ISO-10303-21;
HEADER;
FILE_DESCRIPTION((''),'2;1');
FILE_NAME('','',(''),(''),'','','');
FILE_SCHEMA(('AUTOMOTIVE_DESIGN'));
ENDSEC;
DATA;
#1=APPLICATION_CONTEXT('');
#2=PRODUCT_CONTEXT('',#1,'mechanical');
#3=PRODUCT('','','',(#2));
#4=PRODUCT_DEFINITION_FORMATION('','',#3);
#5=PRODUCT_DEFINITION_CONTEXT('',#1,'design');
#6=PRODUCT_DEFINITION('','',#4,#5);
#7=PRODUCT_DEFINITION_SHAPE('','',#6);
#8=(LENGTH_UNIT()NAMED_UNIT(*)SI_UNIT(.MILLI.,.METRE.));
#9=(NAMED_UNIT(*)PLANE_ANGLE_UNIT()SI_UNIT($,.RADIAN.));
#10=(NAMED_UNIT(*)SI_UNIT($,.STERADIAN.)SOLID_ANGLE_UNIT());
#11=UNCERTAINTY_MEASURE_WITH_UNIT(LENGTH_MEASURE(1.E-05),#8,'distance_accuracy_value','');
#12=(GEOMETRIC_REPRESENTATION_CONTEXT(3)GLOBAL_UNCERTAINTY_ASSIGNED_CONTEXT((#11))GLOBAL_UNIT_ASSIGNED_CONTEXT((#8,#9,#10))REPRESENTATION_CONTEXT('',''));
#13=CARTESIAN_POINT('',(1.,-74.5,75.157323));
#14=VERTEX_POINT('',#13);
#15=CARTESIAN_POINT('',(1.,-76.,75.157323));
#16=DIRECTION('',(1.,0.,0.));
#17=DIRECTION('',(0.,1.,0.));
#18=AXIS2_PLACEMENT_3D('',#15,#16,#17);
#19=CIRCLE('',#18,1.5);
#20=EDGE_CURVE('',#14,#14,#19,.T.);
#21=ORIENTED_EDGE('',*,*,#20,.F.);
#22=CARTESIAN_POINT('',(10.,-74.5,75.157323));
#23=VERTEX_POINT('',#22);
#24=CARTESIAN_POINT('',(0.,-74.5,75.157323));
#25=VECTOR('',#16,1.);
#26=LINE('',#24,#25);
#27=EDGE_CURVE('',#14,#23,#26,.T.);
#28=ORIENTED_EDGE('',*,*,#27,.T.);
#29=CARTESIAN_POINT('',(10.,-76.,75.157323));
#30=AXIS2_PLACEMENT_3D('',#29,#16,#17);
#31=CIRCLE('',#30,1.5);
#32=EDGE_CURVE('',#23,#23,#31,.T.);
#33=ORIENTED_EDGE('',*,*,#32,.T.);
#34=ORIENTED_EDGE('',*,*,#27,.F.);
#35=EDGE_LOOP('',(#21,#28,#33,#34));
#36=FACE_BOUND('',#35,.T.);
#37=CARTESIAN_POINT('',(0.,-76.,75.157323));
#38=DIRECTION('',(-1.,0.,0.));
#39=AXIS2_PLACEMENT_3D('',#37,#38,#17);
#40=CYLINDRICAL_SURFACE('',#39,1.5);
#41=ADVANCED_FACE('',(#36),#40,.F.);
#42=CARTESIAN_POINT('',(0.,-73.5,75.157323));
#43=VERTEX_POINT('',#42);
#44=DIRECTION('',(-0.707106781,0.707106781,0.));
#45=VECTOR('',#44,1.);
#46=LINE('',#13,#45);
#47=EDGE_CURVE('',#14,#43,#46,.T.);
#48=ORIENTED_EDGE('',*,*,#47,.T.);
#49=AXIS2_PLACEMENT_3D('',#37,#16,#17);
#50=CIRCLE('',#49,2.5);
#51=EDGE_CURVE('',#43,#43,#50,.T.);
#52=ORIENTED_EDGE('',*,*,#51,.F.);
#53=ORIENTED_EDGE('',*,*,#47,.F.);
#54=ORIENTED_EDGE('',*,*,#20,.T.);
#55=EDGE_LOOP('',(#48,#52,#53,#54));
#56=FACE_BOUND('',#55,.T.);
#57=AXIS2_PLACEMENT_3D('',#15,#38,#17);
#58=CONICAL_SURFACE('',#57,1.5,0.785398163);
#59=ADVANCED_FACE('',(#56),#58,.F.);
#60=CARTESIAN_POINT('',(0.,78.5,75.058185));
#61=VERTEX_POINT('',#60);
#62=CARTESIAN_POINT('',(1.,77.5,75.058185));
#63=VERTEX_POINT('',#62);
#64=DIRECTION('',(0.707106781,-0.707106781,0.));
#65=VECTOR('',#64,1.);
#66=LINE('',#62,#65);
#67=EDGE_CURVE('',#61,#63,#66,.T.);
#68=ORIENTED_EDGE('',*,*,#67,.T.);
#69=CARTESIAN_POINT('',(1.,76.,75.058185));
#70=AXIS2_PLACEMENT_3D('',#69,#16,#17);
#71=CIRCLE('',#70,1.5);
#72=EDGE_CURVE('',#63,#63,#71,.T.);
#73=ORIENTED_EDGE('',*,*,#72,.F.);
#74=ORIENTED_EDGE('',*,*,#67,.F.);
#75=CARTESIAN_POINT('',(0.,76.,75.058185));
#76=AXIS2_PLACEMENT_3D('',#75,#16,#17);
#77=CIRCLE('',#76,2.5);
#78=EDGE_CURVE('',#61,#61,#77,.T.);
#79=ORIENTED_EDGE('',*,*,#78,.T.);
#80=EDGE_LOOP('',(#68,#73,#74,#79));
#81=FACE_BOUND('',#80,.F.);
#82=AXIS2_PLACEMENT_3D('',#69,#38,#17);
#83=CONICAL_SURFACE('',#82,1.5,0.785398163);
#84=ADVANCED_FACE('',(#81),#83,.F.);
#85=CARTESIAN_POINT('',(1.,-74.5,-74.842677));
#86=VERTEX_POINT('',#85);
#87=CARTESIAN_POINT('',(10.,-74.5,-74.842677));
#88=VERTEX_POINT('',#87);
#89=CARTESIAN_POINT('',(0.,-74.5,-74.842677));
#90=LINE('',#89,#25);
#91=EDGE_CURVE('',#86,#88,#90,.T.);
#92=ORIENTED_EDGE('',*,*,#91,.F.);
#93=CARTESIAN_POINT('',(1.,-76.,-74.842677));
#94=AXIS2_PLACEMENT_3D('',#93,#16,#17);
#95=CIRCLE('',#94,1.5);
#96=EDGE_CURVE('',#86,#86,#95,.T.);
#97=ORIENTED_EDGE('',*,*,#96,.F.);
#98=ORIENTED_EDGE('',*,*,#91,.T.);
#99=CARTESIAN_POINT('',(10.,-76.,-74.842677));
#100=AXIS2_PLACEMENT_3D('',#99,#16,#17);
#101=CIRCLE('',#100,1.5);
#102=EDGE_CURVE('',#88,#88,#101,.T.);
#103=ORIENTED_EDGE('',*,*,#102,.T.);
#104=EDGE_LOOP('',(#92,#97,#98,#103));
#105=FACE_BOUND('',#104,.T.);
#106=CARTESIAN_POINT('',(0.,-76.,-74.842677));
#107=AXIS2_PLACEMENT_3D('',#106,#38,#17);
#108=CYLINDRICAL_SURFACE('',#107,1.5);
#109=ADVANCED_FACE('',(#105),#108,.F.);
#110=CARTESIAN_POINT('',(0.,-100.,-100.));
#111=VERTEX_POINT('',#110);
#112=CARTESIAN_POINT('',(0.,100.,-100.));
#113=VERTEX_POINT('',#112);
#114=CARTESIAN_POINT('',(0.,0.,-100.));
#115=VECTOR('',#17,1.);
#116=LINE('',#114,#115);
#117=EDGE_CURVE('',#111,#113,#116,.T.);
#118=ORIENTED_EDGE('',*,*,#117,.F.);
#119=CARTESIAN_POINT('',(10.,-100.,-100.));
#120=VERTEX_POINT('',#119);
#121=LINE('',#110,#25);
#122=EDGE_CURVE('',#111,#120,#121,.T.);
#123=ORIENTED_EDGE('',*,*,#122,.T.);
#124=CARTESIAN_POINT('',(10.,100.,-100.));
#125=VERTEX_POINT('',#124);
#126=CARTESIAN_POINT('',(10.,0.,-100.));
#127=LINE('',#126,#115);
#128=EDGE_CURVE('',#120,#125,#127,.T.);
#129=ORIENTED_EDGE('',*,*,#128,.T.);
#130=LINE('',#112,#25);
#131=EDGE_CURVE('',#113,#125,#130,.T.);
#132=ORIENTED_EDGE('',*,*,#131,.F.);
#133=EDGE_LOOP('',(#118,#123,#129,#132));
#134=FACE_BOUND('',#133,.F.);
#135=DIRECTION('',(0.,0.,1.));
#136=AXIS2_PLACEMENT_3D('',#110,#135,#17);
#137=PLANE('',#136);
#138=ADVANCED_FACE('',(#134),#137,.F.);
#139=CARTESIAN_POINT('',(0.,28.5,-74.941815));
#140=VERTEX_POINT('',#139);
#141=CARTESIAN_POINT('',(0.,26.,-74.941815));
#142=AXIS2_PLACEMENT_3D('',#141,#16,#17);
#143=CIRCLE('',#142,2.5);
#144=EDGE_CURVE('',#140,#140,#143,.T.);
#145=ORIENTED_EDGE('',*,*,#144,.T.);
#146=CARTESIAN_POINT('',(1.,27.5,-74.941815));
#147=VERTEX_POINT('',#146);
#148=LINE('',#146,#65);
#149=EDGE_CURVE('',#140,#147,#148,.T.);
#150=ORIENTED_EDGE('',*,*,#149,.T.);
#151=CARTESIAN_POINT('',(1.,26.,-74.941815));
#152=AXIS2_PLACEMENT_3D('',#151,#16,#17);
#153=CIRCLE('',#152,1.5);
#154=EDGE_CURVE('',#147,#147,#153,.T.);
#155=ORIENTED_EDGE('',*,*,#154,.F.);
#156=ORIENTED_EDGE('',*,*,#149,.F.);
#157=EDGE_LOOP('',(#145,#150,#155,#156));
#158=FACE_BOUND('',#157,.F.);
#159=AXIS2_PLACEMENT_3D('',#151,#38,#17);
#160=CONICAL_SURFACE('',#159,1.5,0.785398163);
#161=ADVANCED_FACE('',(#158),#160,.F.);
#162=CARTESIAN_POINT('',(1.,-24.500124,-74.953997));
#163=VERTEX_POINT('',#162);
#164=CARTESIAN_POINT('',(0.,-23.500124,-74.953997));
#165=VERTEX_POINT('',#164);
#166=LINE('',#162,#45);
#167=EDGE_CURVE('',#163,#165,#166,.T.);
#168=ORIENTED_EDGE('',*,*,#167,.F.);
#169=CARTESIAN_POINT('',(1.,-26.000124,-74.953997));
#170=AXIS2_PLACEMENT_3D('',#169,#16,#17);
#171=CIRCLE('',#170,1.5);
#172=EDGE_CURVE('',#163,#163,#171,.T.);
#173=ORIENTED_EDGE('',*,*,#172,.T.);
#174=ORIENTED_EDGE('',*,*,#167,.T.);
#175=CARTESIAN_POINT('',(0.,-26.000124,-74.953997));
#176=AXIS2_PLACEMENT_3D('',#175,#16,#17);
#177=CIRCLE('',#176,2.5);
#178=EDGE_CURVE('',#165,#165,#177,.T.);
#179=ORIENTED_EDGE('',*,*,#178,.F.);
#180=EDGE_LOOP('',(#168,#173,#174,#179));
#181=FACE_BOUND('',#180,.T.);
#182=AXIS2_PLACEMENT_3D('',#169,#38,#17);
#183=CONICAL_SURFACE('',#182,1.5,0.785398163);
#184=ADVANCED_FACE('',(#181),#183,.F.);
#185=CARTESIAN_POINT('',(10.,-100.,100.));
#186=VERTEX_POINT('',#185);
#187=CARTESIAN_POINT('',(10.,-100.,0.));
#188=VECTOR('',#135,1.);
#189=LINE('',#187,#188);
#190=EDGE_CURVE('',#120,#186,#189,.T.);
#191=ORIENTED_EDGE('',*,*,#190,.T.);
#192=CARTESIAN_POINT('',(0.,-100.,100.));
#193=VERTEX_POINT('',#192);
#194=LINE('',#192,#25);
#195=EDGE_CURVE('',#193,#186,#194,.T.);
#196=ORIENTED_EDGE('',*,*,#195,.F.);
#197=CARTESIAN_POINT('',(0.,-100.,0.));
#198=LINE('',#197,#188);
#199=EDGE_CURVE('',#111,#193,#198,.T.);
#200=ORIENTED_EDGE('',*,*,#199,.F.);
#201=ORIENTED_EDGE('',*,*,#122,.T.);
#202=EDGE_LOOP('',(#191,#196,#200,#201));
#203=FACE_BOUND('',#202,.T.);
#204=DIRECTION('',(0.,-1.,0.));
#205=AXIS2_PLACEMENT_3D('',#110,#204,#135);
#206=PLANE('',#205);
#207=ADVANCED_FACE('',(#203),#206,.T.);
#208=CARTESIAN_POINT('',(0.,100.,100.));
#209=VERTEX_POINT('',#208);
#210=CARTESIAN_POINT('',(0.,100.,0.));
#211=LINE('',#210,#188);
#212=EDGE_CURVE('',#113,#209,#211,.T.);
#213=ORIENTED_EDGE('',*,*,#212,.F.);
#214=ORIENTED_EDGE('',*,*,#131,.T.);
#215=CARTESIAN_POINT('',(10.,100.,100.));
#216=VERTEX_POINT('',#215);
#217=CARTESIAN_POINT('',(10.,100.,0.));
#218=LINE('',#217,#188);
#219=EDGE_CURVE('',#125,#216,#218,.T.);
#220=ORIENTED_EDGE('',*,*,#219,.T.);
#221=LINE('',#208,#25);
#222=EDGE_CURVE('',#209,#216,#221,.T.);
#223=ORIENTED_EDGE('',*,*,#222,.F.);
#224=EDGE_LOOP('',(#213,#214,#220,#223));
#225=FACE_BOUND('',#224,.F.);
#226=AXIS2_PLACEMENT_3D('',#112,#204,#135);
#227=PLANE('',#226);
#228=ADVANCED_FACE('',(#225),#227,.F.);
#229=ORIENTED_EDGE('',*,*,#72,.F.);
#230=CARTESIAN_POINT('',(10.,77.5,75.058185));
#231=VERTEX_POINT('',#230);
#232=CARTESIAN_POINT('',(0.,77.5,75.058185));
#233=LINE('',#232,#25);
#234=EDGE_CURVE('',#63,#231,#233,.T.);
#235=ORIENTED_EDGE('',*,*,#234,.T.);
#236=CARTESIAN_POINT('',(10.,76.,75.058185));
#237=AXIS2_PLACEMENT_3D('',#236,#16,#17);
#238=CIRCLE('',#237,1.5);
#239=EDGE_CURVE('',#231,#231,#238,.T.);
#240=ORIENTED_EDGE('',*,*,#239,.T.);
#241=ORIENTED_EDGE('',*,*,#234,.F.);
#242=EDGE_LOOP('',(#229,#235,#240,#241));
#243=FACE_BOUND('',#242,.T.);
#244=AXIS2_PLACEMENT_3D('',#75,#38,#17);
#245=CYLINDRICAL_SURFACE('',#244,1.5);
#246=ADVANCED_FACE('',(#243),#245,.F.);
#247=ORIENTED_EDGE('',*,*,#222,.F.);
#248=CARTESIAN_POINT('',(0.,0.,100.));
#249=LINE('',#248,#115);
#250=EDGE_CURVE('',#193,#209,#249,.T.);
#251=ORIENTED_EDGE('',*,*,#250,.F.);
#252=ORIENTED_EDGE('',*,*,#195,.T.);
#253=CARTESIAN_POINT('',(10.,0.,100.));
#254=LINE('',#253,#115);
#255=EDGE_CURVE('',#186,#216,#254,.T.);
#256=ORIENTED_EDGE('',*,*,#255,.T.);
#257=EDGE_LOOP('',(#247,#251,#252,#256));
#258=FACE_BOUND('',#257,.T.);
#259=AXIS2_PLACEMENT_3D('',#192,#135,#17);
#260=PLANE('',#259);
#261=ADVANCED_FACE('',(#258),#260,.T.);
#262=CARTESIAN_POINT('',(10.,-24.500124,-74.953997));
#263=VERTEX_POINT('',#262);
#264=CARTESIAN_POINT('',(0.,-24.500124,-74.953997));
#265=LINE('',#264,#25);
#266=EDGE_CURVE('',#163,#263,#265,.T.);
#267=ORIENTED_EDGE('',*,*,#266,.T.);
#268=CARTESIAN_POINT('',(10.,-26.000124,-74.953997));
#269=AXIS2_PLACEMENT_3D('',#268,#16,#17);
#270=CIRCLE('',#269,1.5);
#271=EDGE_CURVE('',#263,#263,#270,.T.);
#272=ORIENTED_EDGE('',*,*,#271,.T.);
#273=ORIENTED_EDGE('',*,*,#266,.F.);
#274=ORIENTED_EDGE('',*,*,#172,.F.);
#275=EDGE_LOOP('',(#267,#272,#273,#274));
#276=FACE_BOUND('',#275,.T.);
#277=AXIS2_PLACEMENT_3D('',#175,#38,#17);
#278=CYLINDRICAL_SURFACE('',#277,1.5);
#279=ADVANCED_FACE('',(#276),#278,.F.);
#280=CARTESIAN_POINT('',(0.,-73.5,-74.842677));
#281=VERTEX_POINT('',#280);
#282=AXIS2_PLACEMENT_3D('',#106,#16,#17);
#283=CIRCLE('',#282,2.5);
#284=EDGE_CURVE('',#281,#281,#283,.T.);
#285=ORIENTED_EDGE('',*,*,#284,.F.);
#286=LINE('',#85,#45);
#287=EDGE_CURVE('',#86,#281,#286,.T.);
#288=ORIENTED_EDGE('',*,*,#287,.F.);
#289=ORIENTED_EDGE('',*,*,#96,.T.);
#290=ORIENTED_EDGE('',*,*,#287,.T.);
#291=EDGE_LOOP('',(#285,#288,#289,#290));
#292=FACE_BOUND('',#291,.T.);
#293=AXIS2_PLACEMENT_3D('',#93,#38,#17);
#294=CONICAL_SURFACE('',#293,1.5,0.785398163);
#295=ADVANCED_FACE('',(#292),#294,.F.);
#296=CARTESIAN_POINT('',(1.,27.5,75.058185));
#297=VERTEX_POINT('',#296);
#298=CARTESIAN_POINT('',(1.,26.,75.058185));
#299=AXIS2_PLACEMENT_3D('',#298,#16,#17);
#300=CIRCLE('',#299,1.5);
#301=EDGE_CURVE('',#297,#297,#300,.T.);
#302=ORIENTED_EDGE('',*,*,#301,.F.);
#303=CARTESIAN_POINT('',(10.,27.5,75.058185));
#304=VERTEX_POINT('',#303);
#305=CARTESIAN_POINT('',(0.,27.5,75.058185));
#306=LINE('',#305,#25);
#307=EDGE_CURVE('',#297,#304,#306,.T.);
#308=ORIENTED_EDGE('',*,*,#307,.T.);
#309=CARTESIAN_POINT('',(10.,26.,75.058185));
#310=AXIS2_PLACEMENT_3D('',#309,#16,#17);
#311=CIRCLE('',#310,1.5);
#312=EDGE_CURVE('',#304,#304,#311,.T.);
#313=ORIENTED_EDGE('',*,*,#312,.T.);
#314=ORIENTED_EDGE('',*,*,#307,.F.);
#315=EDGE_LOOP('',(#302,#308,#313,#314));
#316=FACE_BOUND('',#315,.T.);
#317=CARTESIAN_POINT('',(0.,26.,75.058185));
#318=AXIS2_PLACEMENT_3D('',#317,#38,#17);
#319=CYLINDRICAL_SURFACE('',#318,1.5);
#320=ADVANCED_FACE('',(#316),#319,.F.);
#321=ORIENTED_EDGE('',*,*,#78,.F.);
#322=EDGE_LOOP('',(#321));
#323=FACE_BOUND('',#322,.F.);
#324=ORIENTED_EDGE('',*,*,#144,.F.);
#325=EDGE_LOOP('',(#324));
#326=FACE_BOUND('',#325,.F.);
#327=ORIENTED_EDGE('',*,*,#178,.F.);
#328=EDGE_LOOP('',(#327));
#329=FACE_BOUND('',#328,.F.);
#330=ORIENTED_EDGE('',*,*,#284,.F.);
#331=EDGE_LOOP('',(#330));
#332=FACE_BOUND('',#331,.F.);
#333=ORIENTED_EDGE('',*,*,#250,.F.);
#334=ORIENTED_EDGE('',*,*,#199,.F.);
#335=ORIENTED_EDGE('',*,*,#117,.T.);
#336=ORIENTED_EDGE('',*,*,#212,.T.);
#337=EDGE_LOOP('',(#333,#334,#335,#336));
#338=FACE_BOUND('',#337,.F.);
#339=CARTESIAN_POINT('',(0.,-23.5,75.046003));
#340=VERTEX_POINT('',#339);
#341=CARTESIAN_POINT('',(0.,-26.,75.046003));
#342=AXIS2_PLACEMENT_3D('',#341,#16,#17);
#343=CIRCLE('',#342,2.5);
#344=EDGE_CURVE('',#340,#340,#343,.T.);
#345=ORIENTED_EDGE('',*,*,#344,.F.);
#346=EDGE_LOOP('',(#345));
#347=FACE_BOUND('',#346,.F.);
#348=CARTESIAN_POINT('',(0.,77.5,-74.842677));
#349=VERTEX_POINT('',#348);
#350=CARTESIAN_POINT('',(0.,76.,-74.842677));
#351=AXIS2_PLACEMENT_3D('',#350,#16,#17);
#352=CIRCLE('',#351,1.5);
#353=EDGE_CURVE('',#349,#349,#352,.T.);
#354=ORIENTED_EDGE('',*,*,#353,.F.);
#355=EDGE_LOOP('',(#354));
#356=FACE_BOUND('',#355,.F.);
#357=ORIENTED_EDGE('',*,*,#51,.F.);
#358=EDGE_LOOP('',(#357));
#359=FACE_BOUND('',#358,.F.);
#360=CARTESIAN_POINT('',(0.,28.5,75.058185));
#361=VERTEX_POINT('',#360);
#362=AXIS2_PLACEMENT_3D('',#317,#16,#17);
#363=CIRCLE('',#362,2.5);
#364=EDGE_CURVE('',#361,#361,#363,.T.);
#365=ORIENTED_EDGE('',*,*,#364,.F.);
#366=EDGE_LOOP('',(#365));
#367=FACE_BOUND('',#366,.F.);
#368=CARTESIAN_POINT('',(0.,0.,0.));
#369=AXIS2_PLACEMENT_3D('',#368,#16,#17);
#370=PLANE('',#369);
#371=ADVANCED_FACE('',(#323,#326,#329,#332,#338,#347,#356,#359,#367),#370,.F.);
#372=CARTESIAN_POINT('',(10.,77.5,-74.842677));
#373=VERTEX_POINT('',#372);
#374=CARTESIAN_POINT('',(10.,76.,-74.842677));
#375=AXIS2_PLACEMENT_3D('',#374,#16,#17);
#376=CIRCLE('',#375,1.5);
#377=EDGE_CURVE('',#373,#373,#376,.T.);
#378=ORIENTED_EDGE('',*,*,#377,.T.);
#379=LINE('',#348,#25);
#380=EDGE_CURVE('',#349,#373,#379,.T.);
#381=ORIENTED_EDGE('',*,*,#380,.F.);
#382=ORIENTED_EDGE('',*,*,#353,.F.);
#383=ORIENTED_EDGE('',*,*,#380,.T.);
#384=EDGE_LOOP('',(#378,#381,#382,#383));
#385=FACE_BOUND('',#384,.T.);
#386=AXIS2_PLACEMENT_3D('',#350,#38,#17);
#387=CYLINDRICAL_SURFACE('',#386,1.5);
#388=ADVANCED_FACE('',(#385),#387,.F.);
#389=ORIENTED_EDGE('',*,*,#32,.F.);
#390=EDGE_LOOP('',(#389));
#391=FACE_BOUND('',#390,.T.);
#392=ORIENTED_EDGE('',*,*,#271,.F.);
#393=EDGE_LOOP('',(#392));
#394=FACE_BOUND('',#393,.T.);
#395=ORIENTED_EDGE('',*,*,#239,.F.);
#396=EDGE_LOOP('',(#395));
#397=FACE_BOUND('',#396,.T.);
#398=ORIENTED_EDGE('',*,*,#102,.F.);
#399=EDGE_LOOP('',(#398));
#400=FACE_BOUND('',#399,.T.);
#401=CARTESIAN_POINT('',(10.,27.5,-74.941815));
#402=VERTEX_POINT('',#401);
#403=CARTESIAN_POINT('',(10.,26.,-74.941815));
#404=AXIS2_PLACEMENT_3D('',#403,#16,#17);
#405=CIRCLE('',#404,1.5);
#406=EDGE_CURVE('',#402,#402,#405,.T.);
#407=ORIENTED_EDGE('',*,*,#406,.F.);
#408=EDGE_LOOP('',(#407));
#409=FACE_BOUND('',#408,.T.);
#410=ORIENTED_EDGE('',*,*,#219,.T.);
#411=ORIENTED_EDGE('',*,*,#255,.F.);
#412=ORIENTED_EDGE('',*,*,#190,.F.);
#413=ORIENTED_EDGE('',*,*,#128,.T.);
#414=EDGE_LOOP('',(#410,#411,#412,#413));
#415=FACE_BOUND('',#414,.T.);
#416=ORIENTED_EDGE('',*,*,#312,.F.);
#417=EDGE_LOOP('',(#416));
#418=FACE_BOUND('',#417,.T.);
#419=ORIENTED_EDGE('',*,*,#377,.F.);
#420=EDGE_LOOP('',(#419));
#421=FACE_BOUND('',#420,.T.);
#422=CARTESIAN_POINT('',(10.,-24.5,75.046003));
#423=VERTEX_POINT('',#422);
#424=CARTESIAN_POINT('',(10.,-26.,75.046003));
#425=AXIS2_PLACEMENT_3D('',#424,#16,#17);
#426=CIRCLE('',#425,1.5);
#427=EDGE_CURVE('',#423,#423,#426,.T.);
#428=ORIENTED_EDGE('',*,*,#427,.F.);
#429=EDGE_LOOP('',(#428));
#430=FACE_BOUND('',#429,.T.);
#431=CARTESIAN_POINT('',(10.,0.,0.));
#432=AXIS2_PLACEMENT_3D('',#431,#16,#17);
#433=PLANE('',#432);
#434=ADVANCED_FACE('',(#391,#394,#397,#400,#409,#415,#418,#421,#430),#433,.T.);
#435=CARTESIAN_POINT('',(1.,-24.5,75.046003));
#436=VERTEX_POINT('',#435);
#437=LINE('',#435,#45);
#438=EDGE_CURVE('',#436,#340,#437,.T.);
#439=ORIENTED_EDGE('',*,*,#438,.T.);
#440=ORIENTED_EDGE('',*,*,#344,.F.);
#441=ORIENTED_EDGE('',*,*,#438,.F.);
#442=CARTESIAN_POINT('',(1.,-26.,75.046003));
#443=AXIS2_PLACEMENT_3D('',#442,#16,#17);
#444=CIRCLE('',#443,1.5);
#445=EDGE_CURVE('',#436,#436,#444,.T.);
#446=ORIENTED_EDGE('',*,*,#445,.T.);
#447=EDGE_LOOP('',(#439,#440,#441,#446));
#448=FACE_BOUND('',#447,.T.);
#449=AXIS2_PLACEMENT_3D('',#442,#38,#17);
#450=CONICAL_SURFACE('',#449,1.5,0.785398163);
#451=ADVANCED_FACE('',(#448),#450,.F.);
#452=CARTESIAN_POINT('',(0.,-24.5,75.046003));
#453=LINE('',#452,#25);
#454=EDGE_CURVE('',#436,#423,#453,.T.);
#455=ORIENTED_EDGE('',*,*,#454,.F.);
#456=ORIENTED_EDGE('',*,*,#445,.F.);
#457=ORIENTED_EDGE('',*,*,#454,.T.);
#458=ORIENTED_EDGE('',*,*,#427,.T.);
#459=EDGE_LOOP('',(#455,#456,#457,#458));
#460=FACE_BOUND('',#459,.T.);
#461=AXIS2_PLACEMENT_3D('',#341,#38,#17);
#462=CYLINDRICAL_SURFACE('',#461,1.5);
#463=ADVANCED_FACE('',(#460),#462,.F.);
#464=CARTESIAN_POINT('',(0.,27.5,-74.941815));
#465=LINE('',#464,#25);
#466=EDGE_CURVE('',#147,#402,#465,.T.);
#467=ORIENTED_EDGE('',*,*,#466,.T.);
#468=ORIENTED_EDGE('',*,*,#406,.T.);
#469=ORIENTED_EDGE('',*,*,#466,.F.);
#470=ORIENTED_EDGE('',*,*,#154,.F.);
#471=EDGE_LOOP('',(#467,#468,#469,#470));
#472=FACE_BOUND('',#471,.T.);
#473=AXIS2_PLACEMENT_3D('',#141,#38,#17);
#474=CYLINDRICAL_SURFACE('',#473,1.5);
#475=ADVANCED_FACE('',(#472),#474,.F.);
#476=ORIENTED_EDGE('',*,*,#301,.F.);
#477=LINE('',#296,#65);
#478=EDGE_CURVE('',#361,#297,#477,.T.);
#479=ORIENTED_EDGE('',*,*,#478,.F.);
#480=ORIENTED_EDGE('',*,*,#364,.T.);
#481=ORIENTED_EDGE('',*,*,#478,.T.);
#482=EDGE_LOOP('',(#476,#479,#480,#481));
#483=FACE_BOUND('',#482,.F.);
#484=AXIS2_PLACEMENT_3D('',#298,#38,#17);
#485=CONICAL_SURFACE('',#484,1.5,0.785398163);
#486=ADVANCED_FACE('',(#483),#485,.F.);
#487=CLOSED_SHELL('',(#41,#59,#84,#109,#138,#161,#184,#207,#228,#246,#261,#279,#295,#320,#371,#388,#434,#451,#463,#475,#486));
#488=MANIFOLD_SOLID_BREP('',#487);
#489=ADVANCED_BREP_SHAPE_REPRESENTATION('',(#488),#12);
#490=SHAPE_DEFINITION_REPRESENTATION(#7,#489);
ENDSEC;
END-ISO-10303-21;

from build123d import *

# Parameters (mm, degrees)
F0_W     = 200
F0_H     = 200
F0_R     = 1.5
F1_DEPTH = 10
F2_SIZE  = 1
F3_SIZE  = 1


with BuildPart() as f1:
    # F0 (on Right) → F1 (new body)
    with BuildSketch(Plane.YZ):
        Rectangle(F0_W, F0_H)
        with Locations((-76, -74.842677)):
            Circle(F0_R, mode=Mode.SUBTRACT)
        with Locations((-26.000124, -74.953997)):
            Circle(F0_R, mode=Mode.SUBTRACT)
        with Locations((26, -74.941815)):
            Circle(F0_R, mode=Mode.SUBTRACT)
        with Locations((76, -74.842677)):
            Circle(F0_R, mode=Mode.SUBTRACT)
        with Locations((-76, 75.157323)):
            Circle(F0_R, mode=Mode.SUBTRACT)
        with Locations((-26, 75.046003)):
            Circle(F0_R, mode=Mode.SUBTRACT)
        with Locations((26, 75.058185)):
            Circle(F0_R, mode=Mode.SUBTRACT)
        with Locations((76, 75.058185)):
            Circle(F0_R, mode=Mode.SUBTRACT)
    extrude(amount=F1_DEPTH)

    # F2
    f2_edges = [f1.edges().sort_by_distance(p)[0] for p in [
        (0, -77.5, -74.842677),
        (0, -27.500124, -74.953997),
        (0, -27.5, 75.046003),
        (0, -77.5, 75.157323),
    ]]
    chamfer(f2_edges, length=F2_SIZE)

    # F3
    f3_edges = [f1.edges().sort_by_distance(p)[0] for p in [
        (0, 24.5, -74.941815),
        (0, 24.5, 75.058185),
        (0, 74.5, 75.058185),
    ]]
    chamfer(f3_edges, length=F3_SIZE)


solid = f1.part
